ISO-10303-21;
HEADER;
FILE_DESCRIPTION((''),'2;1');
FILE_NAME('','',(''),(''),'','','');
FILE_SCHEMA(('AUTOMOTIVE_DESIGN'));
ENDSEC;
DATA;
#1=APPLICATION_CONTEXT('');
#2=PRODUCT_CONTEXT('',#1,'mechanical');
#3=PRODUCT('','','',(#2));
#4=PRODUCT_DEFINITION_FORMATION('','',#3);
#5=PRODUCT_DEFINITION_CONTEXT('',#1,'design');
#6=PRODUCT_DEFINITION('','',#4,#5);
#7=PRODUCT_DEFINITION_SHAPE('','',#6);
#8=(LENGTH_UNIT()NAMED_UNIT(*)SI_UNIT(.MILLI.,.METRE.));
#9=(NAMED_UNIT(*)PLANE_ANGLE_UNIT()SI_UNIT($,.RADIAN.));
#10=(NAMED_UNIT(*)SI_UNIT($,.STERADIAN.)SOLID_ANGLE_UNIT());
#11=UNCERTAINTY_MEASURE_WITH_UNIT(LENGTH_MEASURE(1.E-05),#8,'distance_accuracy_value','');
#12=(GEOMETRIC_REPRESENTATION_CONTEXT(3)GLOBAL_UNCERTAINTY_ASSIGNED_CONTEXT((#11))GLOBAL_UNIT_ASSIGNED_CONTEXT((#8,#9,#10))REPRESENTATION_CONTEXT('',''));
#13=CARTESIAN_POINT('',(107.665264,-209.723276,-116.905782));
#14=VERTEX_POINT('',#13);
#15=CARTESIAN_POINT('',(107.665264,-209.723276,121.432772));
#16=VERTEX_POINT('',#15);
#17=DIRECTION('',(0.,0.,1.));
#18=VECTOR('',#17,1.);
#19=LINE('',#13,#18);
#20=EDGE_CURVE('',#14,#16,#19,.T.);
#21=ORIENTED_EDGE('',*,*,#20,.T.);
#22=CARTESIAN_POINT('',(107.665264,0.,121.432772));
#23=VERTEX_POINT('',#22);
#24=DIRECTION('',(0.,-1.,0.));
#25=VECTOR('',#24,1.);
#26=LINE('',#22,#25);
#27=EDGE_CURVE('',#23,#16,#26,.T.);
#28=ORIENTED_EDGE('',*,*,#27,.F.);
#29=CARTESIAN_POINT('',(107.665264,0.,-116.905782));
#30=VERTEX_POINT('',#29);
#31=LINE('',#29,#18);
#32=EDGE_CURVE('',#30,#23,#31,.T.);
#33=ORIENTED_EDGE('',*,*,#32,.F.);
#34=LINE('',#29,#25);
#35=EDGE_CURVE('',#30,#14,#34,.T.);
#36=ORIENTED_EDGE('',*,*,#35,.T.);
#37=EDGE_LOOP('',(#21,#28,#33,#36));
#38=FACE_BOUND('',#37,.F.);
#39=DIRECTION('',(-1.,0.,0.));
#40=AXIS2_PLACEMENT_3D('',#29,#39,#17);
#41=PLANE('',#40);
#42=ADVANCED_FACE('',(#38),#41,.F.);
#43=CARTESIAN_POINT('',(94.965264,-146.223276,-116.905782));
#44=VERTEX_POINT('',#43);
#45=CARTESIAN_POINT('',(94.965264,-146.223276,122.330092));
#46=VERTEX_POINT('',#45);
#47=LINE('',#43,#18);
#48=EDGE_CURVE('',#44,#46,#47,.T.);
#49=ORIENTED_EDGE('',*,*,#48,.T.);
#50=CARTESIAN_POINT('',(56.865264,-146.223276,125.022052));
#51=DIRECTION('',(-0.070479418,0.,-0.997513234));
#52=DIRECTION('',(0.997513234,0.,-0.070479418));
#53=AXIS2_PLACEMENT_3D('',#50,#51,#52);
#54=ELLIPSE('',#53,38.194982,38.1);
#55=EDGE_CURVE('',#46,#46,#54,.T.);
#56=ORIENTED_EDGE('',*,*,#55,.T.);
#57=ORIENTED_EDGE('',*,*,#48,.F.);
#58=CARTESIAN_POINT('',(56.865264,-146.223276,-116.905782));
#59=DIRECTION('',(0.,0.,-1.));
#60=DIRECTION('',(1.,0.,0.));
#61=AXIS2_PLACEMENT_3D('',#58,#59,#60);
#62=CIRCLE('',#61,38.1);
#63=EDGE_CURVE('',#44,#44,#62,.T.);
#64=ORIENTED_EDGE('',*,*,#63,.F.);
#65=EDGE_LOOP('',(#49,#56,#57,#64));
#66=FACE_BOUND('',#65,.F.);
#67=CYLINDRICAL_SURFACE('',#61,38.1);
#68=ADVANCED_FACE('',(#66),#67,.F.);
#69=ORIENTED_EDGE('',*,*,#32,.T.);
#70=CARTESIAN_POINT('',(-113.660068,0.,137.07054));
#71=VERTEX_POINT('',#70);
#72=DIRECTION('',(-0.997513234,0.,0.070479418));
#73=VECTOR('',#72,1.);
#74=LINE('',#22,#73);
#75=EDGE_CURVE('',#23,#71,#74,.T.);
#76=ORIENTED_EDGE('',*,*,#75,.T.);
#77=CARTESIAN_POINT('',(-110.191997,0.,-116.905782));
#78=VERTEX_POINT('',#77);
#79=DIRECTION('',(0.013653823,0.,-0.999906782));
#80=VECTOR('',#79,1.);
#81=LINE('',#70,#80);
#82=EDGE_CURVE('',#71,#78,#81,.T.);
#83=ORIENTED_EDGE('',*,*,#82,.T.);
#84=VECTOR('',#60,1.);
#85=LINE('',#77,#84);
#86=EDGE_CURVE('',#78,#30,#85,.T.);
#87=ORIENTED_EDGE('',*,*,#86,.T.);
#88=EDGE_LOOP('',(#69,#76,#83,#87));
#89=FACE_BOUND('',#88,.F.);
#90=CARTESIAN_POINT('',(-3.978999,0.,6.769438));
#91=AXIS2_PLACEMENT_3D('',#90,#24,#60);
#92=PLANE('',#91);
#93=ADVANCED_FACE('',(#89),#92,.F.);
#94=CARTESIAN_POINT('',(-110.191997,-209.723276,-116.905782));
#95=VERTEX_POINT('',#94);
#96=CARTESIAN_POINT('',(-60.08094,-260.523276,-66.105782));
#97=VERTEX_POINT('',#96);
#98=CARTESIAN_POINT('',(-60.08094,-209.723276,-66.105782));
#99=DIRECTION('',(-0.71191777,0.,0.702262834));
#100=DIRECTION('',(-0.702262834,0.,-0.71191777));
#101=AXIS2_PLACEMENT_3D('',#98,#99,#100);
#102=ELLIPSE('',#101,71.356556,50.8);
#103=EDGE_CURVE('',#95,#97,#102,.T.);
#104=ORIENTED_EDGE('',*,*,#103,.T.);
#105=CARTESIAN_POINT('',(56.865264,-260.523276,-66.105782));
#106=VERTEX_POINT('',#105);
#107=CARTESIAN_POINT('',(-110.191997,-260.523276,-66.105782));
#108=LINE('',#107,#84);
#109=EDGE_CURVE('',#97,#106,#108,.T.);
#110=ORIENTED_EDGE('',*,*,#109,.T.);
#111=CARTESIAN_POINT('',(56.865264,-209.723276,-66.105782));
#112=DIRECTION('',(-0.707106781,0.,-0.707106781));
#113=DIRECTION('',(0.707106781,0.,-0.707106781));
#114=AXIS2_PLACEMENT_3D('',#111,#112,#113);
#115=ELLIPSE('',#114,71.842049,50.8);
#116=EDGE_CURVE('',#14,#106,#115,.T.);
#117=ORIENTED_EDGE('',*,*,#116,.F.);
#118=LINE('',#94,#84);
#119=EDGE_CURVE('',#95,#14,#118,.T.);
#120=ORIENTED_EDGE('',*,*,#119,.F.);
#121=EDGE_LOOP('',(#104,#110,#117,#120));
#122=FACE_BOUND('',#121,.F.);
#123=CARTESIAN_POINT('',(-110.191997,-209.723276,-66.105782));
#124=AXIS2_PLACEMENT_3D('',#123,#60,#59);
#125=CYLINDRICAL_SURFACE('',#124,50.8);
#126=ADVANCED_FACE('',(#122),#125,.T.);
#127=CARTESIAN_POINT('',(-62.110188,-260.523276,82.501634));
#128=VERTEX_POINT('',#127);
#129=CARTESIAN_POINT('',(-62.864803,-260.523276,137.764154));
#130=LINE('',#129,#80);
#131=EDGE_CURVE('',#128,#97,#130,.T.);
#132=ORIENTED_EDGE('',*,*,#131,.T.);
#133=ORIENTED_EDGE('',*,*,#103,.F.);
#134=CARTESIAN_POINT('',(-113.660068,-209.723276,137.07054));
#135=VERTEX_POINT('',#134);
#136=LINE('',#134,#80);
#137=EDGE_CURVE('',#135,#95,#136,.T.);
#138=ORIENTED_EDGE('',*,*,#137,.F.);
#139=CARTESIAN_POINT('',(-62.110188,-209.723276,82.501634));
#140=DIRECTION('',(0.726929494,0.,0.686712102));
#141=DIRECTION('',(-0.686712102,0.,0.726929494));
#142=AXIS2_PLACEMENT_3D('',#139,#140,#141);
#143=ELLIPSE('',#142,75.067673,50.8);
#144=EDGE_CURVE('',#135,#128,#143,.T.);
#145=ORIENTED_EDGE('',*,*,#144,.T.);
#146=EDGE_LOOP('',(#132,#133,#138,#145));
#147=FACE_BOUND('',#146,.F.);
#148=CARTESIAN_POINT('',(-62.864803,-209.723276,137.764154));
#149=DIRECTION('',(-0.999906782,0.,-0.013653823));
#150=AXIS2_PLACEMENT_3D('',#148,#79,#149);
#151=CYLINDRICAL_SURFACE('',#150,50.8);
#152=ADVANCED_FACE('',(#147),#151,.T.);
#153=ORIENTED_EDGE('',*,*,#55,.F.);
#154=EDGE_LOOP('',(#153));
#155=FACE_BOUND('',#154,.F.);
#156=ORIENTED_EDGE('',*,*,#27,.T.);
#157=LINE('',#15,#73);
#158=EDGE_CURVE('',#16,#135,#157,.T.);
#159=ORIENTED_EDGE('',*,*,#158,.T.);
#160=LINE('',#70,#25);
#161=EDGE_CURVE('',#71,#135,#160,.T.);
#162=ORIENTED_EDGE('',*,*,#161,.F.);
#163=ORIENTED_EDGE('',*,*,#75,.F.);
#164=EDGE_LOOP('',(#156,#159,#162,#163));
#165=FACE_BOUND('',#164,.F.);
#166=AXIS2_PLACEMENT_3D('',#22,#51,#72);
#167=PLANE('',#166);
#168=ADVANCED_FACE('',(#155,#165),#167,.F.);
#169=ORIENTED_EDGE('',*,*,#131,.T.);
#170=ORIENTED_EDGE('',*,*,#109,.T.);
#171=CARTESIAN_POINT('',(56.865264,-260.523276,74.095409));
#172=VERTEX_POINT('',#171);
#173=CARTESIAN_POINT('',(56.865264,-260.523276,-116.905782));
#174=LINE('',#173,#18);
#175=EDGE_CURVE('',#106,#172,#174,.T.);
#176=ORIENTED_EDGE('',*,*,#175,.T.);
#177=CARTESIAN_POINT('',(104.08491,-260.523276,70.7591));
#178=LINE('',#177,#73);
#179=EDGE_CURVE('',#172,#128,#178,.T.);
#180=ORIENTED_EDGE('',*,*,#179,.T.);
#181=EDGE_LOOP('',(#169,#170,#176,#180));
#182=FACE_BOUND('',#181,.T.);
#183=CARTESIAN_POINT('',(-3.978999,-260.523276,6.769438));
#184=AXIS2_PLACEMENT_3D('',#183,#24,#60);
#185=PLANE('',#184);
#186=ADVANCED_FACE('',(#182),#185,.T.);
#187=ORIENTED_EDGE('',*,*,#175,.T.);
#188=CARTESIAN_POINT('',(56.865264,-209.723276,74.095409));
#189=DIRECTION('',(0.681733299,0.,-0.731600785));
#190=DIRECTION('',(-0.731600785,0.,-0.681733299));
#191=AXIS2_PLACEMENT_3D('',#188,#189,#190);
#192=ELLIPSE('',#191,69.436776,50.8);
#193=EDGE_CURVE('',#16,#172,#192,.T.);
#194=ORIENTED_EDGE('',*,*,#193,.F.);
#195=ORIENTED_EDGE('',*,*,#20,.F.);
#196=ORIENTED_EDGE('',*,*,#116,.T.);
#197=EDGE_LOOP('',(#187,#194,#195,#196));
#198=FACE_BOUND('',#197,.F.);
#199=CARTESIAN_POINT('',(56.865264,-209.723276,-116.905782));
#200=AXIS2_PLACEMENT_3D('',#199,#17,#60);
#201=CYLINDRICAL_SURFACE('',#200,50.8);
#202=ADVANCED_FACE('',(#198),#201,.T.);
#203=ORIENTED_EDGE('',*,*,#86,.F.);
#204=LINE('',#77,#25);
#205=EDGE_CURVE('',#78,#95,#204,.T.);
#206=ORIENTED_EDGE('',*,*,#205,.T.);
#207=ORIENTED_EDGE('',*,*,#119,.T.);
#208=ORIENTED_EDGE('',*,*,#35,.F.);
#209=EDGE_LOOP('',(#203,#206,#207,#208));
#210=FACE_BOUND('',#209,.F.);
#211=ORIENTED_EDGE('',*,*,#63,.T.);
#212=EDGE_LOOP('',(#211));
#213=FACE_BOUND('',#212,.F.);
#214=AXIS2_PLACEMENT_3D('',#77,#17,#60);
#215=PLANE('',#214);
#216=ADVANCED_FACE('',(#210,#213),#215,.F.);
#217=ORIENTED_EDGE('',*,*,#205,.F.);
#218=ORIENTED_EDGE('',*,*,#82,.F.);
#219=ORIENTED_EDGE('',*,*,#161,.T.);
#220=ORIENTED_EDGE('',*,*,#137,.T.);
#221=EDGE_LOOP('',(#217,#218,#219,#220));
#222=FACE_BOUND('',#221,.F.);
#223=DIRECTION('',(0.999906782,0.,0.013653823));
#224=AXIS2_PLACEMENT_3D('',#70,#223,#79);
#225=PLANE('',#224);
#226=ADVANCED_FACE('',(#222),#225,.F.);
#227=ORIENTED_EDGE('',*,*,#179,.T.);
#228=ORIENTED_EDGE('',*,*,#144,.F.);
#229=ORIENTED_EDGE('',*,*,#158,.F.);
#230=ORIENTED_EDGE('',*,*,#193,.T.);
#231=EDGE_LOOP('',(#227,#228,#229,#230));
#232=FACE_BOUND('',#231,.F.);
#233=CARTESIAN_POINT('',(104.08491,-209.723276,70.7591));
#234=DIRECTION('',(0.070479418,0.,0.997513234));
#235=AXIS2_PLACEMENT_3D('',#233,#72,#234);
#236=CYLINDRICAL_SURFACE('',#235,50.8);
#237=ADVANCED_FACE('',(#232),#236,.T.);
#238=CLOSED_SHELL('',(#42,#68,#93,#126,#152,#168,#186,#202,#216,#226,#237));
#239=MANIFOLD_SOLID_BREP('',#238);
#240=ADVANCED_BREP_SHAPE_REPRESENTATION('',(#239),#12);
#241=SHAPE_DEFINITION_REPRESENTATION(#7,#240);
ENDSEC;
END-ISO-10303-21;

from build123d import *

# Parameters (mm, degrees)
F3_DEPTH = 260.523276
F4_R     = 50.8
F0_R     = 38.1
F1_DEPTH = 285.439702


with BuildPart() as f3:
    # F2 (on Front) → F3 (new body)
    with BuildSketch(Plane.XZ):
        Polygon((-113.660068, 137.07054), (-110.191997, -116.905782), (107.665264, -116.905782), (107.665264, 121.432772), align=None)
    extrude(amount=F3_DEPTH)

    # F4
    f4_edges = [f3.edges().sort_by_distance(p)[0] for p in [
        (-2.997402, -260.523276, 129.251656),
        (-111.926032, -260.523276, 10.082379),
        (-1.263367, -260.523276, -116.905782),
        (107.665264, -260.523276, 2.263495),
    ]]
    fillet(f4_edges, radius=F4_R)

    # F0 (on face) → F1 (cut)
    with BuildSketch(Plane(origin=(0, 0, -116.905782), x_dir=(1, 0, 0), z_dir=(0, 0, -1))):
        with Locations((56.865264, 146.223276)):
            Circle(F0_R)
    extrude(amount=-F1_DEPTH, mode=Mode.SUBTRACT)


solid = f3.part
